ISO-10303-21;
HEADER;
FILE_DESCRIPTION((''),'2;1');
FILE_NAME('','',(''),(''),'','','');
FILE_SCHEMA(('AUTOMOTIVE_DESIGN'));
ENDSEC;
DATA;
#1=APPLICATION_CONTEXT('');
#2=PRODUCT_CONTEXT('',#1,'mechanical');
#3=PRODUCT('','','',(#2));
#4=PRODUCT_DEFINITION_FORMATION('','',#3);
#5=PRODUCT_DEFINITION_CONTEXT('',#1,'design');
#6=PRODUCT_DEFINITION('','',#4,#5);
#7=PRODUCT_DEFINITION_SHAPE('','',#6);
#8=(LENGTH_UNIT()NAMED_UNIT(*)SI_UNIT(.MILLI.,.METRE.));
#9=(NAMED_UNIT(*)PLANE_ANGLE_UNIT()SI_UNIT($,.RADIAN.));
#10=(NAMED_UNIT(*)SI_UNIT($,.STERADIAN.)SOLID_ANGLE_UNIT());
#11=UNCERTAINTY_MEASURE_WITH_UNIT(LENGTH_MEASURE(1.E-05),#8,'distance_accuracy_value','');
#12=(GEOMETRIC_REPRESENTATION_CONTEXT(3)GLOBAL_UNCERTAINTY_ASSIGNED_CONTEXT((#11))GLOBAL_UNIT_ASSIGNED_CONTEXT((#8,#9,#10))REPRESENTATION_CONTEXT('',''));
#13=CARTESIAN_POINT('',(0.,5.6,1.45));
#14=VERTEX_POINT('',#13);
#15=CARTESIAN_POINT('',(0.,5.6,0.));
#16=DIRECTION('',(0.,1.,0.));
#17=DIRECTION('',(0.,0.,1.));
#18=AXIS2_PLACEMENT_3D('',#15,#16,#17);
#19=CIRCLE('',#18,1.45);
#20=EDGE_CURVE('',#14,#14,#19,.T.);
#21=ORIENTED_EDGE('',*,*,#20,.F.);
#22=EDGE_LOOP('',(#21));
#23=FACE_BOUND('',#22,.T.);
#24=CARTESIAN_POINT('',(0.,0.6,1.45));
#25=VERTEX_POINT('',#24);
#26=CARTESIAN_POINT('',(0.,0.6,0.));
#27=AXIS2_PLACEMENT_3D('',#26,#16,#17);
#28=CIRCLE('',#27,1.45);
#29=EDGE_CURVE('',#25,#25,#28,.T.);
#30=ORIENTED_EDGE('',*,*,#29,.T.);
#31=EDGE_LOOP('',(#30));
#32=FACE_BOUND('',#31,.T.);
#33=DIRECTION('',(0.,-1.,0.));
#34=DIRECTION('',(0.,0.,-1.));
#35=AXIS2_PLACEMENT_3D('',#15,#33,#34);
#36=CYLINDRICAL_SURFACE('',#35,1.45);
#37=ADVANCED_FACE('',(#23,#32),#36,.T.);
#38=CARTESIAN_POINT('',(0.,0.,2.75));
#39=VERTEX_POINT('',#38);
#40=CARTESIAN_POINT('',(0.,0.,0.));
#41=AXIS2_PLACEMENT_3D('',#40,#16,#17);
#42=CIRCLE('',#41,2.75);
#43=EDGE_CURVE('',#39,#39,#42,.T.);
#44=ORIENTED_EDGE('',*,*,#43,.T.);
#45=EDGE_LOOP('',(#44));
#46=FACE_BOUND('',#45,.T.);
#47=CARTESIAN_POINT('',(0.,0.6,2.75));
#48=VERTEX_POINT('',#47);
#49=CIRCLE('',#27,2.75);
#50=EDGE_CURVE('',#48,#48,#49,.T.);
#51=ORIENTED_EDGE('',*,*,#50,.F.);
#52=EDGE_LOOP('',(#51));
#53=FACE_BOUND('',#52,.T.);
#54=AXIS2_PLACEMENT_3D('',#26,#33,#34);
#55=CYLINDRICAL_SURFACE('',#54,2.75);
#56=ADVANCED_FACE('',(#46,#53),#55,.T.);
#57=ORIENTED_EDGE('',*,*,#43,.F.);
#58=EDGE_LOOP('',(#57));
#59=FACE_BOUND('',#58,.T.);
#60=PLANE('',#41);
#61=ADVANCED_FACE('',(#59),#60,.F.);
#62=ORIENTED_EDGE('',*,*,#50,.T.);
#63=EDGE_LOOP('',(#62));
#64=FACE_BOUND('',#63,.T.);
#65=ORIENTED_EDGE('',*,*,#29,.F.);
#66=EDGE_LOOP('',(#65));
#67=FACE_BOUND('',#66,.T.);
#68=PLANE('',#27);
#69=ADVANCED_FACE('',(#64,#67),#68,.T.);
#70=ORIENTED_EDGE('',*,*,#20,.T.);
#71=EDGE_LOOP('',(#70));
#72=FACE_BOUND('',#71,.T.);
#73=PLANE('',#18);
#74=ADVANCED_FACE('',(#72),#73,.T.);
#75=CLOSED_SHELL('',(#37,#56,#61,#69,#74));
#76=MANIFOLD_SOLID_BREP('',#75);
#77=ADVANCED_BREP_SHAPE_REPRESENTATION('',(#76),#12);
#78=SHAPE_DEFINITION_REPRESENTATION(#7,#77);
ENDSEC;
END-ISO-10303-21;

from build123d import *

# Parameters (mm, degrees)
SKETCH_1_R      = 2.75
EXTRUDE_1_DEPTH = 0.6
SKETCH_2_R      = 1.45
EXTRUDE_2_DEPTH = 5


with BuildPart() as part:
    # 草图1 → 凸台-拉伸1 (new body)
    with BuildSketch(Plane(origin=(0, 0, 0), x_dir=(1, 0, 0), z_dir=(0, 1, 0))):
        Circle(SKETCH_1_R)
    extrude(amount=EXTRUDE_1_DEPTH)

    # 草图2 → 凸台-拉伸2 (add)
    with BuildSketch(Plane(origin=(0, 0.6, 0), x_dir=(1, 0, 0), z_dir=(0, 1, 0))):
        Circle(SKETCH_2_R)
    extrude(amount=EXTRUDE_2_DEPTH)


solid = part.part
